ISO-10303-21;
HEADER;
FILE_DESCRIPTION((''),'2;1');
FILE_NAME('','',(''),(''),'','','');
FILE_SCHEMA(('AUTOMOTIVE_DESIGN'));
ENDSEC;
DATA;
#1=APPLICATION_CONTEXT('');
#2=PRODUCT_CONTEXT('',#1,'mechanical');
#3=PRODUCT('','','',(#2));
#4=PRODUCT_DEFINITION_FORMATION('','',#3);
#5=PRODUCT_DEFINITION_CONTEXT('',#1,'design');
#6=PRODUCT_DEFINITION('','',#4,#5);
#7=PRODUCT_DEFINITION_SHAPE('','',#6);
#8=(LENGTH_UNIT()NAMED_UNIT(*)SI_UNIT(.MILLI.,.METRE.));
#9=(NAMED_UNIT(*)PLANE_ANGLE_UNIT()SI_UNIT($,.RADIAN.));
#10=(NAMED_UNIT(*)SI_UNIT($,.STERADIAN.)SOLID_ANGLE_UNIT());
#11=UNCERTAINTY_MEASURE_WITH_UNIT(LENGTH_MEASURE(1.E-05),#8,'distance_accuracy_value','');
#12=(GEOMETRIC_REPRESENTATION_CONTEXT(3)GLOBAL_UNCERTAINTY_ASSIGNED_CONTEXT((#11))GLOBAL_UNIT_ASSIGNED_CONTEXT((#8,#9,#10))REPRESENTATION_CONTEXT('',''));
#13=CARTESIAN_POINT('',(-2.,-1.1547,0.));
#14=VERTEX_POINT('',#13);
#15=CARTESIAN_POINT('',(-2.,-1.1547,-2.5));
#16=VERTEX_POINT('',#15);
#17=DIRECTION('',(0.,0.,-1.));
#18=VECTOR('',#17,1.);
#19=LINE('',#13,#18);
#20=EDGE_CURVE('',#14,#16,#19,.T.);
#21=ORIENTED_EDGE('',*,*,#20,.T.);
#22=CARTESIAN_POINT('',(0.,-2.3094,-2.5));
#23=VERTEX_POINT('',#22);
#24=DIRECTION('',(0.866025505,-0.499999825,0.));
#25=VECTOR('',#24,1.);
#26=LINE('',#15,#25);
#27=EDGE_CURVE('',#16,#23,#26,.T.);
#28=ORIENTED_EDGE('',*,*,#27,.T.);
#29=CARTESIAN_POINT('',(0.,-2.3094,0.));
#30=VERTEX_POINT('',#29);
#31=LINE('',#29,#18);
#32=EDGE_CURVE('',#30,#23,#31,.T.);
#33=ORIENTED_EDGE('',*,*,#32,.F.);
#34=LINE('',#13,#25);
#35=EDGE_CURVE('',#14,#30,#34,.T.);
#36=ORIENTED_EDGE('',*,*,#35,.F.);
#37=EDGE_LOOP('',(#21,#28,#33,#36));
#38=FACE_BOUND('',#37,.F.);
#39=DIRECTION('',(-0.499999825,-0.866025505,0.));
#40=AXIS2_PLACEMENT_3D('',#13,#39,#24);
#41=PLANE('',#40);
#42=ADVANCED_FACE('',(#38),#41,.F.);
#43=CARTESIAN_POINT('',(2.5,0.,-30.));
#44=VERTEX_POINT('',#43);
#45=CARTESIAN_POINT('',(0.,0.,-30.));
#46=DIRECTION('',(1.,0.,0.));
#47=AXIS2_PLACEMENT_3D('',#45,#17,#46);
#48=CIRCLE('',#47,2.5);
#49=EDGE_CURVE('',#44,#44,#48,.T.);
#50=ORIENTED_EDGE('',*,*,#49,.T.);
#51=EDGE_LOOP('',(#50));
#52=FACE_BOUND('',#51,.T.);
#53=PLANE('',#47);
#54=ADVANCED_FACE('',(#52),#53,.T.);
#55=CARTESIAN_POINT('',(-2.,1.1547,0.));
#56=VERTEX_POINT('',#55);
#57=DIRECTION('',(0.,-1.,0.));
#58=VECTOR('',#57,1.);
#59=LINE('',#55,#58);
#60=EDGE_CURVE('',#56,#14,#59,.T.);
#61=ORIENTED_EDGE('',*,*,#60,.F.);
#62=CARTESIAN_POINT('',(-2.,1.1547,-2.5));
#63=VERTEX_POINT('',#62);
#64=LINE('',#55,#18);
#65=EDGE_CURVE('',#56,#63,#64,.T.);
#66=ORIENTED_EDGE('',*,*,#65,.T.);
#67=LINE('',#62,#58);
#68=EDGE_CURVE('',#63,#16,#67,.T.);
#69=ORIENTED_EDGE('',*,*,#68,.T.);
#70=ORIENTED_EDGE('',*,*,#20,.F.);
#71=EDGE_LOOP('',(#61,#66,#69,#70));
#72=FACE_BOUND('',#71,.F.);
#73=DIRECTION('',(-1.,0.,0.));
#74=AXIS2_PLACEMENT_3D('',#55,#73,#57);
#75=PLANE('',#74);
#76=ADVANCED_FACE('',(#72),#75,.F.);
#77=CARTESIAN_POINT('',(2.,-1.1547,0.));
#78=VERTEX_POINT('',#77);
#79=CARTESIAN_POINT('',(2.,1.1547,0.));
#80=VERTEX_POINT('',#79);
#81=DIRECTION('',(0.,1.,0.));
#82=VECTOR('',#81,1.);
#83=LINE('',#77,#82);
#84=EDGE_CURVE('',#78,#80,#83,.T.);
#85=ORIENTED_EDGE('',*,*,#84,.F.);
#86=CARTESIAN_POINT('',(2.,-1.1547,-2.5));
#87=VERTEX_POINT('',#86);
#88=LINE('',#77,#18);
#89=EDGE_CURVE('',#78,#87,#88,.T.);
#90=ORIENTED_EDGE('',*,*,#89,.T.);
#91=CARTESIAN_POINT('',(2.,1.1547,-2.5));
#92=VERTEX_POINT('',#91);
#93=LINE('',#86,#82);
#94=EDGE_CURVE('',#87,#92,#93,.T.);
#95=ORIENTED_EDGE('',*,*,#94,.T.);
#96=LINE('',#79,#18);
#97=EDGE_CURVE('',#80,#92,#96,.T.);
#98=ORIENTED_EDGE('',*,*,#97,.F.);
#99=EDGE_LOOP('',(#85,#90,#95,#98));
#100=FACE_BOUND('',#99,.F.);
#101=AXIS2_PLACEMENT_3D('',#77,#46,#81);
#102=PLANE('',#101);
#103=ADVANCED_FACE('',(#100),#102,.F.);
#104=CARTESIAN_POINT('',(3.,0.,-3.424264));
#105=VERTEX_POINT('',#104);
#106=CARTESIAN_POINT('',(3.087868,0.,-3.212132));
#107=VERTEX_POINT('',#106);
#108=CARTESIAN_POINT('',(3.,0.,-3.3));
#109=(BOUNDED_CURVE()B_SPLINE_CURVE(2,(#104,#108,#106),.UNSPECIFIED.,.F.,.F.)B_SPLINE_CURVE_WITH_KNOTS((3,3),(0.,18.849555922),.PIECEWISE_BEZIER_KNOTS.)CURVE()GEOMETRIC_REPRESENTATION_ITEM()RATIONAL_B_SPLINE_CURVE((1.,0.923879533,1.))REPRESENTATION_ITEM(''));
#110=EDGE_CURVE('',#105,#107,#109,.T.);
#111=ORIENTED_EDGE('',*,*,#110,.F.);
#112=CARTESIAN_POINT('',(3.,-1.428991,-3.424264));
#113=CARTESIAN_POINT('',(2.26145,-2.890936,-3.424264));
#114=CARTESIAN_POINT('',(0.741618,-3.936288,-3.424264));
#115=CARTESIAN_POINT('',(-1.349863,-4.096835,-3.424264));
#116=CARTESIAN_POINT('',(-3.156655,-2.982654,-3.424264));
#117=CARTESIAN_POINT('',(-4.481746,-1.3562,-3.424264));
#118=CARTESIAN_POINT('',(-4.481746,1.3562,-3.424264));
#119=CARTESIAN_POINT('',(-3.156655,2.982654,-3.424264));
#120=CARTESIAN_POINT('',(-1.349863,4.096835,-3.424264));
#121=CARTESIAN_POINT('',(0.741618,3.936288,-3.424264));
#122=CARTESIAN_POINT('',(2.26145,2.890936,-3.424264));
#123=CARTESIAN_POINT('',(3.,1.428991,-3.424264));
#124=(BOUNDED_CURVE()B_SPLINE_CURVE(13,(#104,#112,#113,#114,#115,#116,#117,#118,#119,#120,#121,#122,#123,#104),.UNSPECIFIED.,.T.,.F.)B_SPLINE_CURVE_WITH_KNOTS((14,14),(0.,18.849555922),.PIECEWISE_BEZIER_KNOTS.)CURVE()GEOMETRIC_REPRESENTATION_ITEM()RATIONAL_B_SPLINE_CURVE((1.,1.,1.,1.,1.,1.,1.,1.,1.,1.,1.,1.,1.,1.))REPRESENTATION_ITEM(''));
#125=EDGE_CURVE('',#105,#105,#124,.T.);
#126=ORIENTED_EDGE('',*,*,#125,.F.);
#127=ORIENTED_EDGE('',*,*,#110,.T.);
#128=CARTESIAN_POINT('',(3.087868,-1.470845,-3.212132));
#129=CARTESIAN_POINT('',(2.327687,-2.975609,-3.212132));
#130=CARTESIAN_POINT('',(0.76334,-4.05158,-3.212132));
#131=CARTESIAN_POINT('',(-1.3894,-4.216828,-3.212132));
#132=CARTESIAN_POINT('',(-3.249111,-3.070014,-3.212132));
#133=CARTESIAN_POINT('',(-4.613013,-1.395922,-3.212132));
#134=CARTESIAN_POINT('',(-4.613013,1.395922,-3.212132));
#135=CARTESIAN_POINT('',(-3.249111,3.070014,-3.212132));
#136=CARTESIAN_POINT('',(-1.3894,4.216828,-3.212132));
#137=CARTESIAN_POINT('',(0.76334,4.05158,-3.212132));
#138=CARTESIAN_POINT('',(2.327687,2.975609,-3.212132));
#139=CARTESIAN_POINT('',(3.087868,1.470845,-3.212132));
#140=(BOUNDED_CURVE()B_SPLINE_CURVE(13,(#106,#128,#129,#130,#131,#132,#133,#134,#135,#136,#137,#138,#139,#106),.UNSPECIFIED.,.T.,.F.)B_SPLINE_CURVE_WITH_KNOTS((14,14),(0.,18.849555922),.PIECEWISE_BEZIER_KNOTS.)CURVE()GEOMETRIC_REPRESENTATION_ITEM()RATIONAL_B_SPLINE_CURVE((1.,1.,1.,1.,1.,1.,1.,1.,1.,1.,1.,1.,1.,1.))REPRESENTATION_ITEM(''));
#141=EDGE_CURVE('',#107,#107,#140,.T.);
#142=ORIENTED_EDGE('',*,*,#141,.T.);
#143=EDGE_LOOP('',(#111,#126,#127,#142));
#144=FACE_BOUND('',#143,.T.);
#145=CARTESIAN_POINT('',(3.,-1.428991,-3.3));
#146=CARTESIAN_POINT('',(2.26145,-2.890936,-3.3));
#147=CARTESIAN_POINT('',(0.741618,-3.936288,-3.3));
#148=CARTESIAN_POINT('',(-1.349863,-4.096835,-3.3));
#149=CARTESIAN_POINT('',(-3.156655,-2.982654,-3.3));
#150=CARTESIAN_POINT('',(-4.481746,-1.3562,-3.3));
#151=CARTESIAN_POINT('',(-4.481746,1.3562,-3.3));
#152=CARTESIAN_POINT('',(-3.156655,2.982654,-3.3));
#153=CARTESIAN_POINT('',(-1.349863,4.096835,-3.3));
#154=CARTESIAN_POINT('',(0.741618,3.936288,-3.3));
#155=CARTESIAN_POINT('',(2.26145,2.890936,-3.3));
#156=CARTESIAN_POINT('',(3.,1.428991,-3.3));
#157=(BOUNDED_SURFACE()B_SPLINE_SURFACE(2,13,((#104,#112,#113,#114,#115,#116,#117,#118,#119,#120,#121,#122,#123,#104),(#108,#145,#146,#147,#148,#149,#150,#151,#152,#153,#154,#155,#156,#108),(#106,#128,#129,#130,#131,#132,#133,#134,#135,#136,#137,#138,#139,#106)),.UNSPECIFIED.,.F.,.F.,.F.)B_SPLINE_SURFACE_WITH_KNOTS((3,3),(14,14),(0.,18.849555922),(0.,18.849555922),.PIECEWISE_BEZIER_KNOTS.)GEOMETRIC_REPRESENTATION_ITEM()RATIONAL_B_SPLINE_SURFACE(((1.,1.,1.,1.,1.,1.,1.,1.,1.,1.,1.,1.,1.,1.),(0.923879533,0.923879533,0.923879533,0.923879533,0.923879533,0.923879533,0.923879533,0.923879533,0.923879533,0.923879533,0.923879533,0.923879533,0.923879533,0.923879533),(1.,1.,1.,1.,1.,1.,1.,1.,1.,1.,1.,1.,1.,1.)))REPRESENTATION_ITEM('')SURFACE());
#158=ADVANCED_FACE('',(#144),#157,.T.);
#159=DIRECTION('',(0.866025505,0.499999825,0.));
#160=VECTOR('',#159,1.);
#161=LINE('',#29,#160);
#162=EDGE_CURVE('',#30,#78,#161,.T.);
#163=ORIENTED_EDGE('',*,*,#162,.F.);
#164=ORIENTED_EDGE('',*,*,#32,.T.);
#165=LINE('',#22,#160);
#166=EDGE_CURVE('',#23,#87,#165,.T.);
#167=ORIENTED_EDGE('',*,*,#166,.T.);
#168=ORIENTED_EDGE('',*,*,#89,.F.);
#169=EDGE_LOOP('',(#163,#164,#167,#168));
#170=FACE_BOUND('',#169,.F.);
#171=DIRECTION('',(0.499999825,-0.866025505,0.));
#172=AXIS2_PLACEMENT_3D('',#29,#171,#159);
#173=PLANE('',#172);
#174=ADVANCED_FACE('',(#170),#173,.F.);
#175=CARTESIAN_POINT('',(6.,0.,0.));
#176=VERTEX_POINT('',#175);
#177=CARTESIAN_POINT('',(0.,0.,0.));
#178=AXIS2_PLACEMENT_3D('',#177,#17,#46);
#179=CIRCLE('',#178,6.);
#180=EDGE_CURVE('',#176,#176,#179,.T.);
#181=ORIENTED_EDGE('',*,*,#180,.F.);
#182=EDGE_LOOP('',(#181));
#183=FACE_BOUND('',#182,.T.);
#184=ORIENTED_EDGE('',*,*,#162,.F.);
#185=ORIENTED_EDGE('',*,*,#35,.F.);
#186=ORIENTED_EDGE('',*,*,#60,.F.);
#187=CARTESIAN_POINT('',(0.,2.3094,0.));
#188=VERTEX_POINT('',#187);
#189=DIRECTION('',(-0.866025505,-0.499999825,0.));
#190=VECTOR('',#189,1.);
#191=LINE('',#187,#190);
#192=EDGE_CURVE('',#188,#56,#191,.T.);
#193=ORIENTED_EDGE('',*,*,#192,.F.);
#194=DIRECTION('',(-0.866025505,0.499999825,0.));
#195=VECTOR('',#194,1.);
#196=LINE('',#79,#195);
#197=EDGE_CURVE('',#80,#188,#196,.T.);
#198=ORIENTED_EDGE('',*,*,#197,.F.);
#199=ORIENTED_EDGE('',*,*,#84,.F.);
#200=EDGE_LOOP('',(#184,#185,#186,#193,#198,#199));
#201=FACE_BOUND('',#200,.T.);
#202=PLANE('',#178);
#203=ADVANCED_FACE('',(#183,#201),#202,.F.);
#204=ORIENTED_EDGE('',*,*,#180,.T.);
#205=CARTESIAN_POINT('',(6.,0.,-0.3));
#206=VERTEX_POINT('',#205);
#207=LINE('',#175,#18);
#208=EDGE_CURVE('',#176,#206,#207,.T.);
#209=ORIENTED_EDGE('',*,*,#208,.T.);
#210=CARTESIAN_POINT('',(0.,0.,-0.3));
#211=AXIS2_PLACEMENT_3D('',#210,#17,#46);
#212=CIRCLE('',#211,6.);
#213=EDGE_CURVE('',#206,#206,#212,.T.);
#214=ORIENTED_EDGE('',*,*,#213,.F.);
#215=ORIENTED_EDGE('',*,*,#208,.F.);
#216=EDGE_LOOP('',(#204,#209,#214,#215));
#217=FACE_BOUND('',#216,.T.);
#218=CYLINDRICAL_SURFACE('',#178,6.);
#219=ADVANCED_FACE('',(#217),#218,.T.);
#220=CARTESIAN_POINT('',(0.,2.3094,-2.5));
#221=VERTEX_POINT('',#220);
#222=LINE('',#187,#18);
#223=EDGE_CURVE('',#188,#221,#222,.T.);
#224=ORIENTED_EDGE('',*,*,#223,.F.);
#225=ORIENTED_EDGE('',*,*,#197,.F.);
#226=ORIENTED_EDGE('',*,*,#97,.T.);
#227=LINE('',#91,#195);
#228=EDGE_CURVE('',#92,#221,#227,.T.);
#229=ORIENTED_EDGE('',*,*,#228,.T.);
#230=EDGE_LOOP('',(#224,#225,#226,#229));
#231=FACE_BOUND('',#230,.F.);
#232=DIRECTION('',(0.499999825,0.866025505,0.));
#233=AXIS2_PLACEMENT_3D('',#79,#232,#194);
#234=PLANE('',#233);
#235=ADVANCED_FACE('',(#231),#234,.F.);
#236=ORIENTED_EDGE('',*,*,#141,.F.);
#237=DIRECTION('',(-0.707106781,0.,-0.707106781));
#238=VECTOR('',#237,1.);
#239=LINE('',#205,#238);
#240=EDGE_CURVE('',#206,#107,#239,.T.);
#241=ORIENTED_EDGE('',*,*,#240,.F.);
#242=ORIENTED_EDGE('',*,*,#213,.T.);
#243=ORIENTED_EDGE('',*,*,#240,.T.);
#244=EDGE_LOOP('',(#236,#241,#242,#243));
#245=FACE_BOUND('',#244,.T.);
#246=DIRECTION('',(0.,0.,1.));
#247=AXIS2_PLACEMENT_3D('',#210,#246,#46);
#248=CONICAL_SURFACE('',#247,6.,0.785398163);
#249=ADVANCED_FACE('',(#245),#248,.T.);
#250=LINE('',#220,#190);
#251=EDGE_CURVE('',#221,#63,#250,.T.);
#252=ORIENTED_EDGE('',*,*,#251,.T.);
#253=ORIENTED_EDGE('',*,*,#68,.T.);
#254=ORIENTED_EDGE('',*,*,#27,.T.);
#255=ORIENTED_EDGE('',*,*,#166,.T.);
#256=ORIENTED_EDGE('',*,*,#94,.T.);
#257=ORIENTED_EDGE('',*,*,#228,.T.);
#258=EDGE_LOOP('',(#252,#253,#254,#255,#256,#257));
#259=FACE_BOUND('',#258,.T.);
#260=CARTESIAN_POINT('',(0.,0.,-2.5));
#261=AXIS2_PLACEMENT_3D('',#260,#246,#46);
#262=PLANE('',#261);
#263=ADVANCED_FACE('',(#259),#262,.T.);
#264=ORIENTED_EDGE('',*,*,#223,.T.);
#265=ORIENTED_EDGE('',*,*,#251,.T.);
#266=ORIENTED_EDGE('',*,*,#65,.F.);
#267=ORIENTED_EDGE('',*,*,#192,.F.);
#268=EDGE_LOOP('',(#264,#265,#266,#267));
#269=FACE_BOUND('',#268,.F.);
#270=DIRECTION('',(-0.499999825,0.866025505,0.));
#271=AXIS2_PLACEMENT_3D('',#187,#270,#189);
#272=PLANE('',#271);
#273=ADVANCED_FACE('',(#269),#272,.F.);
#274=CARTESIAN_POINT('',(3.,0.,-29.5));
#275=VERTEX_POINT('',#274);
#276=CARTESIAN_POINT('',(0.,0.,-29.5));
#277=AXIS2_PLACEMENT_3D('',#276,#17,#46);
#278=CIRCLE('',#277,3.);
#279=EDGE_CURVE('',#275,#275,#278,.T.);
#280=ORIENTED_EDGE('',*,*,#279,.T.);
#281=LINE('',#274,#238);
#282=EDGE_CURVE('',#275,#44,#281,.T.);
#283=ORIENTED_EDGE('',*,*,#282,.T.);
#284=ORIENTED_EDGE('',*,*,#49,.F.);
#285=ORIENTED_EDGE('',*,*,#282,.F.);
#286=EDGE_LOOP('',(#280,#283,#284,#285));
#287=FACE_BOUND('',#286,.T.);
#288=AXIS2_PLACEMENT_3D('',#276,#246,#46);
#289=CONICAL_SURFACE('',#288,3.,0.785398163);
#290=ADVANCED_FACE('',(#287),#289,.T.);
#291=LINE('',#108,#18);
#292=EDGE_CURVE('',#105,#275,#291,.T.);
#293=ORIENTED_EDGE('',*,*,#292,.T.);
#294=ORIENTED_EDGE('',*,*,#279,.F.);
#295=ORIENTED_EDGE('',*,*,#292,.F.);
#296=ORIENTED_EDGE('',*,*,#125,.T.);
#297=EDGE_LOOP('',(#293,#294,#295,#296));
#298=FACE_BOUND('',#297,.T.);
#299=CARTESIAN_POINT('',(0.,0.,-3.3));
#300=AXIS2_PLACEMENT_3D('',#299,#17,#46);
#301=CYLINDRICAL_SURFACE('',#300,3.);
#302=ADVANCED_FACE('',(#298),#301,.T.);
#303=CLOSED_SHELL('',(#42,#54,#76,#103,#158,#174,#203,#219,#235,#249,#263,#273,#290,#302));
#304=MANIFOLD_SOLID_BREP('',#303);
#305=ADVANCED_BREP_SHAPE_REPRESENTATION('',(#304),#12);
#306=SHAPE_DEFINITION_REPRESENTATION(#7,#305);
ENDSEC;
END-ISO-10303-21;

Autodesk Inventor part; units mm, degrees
ref_plane "YZ Plane" through (0, 0, 0) normal (1, 0, 0) x (0, 1, 0)
sketch "Skizze1" plane through (0, 0, 0) normal (0, 1, 0) x (-1, 0, 0)
  point P0 (0, 0)
sketch "Skizze2" plane through (0, 0, 0) normal (0, 1, 0) x (-1, 0, 0)
  line L0 (-3, -30) -> (0, -30)
  line L1 (-3, -3.3) -> (-3, -30)
  line L2 (-6, -0.3) -> (-3, -3.3)
  line L3 (-6, 0) -> (-6, -0.3)
  line L4 (0, 0) -> (-6, 0)
  line L5 (0, -30) -> (0, 0)
  line L6 (0, -30) -> (0, 0)
  line L7 (0, -9.6) -> (0, 1.6) projected
  line L8 (0.6, 0) -> (-3.6, 0) projected
  dimension "d3" = 6
  dimension "d5" = 3
  dimension "d7" = 30
  dimension "ParC" = 0.3
  dimension "d22" = 0
  dimension "d23" = 0
  dimension "d43" = 45
revolve "Drehung1" add sketch "Skizze2" angle 360 about axis through (0, 0, -30) along (0, 0, -1)
sketch "Skizze3" plane through (0, 0, 0) normal (0, 0, 1) x (1, 0, 0)
  line L0 (-2, 1.1547) -> (-2, -1.1547)
  line L1 (0, 2.3094) -> (-2, 1.1547)
  line L2 (2, 1.1547) -> (0, 2.3094)
  line L3 (2, -1.1547) -> (2, 1.1547)
  line L4 (0, -2.3094) -> (2, -1.1547)
  line L5 (-2, -1.1547) -> (0, -2.3094)
  circle A0 centre (0, 0) radius 2 construction
  circle A1 centre (0, 0) radius 3 construction
  dimension "d11" = 4
  dimension "d13" = 120
  dimension "d15" = 120
extrude "Extrusion1" cut sketch "Skizze3" against normal blind 2.5
fillet "Rundung1" radius 0.3 1 edges at (-3, 0, -3.3)
chamfer "Fase1" distance 0.5 angle 45 1 edges at (-3, 0, -30) measured on face at (2.4612, -1.7154, -21.1414)
thread "Gewinde1" size "M3x0.5" class "6g" standard "ANSI Metric M Profile" length 18
ref_plane "MSC_PF1" through (0, 0, 0) normal (1, 0, 0) x (0, 1, 0)
ref_plane "MSC_PT1" through (0, 0, 0) normal (0, 0, -1) x (-1, 0, 0)
equation "\"d3\" = 0.5 * dk"
equation "\"d5\" = 0.5 * NND"
equation "\"d7\" = NLG"
equation "\"d43\" = 0.5 * ang"
equation "\"d11\" = ParS"
equation "\"d16\" = ParT"
equation "\"d18\" = r"
equation "\"d19\" = 0.5 * PTC"
equation "\"d39\" = 0.5 * PTC"
equation "\"NND\" = 6"
equation "\"PTC\" = 1"
equation "\"dk\" = 12"
equation "\"ParK\" = 3.3"
equation "\"ParS\" = 4"
equation "\"ParT\" = 2.5"
equation "\"r\" = 0.3"
equation "\"NLG\" = 30"
equation "\"ang\" = 90deg"
equation "\"THREADDIA\" = NND"
properties part number "DIN 7991 - M6x30" material "Stahl, weich"
